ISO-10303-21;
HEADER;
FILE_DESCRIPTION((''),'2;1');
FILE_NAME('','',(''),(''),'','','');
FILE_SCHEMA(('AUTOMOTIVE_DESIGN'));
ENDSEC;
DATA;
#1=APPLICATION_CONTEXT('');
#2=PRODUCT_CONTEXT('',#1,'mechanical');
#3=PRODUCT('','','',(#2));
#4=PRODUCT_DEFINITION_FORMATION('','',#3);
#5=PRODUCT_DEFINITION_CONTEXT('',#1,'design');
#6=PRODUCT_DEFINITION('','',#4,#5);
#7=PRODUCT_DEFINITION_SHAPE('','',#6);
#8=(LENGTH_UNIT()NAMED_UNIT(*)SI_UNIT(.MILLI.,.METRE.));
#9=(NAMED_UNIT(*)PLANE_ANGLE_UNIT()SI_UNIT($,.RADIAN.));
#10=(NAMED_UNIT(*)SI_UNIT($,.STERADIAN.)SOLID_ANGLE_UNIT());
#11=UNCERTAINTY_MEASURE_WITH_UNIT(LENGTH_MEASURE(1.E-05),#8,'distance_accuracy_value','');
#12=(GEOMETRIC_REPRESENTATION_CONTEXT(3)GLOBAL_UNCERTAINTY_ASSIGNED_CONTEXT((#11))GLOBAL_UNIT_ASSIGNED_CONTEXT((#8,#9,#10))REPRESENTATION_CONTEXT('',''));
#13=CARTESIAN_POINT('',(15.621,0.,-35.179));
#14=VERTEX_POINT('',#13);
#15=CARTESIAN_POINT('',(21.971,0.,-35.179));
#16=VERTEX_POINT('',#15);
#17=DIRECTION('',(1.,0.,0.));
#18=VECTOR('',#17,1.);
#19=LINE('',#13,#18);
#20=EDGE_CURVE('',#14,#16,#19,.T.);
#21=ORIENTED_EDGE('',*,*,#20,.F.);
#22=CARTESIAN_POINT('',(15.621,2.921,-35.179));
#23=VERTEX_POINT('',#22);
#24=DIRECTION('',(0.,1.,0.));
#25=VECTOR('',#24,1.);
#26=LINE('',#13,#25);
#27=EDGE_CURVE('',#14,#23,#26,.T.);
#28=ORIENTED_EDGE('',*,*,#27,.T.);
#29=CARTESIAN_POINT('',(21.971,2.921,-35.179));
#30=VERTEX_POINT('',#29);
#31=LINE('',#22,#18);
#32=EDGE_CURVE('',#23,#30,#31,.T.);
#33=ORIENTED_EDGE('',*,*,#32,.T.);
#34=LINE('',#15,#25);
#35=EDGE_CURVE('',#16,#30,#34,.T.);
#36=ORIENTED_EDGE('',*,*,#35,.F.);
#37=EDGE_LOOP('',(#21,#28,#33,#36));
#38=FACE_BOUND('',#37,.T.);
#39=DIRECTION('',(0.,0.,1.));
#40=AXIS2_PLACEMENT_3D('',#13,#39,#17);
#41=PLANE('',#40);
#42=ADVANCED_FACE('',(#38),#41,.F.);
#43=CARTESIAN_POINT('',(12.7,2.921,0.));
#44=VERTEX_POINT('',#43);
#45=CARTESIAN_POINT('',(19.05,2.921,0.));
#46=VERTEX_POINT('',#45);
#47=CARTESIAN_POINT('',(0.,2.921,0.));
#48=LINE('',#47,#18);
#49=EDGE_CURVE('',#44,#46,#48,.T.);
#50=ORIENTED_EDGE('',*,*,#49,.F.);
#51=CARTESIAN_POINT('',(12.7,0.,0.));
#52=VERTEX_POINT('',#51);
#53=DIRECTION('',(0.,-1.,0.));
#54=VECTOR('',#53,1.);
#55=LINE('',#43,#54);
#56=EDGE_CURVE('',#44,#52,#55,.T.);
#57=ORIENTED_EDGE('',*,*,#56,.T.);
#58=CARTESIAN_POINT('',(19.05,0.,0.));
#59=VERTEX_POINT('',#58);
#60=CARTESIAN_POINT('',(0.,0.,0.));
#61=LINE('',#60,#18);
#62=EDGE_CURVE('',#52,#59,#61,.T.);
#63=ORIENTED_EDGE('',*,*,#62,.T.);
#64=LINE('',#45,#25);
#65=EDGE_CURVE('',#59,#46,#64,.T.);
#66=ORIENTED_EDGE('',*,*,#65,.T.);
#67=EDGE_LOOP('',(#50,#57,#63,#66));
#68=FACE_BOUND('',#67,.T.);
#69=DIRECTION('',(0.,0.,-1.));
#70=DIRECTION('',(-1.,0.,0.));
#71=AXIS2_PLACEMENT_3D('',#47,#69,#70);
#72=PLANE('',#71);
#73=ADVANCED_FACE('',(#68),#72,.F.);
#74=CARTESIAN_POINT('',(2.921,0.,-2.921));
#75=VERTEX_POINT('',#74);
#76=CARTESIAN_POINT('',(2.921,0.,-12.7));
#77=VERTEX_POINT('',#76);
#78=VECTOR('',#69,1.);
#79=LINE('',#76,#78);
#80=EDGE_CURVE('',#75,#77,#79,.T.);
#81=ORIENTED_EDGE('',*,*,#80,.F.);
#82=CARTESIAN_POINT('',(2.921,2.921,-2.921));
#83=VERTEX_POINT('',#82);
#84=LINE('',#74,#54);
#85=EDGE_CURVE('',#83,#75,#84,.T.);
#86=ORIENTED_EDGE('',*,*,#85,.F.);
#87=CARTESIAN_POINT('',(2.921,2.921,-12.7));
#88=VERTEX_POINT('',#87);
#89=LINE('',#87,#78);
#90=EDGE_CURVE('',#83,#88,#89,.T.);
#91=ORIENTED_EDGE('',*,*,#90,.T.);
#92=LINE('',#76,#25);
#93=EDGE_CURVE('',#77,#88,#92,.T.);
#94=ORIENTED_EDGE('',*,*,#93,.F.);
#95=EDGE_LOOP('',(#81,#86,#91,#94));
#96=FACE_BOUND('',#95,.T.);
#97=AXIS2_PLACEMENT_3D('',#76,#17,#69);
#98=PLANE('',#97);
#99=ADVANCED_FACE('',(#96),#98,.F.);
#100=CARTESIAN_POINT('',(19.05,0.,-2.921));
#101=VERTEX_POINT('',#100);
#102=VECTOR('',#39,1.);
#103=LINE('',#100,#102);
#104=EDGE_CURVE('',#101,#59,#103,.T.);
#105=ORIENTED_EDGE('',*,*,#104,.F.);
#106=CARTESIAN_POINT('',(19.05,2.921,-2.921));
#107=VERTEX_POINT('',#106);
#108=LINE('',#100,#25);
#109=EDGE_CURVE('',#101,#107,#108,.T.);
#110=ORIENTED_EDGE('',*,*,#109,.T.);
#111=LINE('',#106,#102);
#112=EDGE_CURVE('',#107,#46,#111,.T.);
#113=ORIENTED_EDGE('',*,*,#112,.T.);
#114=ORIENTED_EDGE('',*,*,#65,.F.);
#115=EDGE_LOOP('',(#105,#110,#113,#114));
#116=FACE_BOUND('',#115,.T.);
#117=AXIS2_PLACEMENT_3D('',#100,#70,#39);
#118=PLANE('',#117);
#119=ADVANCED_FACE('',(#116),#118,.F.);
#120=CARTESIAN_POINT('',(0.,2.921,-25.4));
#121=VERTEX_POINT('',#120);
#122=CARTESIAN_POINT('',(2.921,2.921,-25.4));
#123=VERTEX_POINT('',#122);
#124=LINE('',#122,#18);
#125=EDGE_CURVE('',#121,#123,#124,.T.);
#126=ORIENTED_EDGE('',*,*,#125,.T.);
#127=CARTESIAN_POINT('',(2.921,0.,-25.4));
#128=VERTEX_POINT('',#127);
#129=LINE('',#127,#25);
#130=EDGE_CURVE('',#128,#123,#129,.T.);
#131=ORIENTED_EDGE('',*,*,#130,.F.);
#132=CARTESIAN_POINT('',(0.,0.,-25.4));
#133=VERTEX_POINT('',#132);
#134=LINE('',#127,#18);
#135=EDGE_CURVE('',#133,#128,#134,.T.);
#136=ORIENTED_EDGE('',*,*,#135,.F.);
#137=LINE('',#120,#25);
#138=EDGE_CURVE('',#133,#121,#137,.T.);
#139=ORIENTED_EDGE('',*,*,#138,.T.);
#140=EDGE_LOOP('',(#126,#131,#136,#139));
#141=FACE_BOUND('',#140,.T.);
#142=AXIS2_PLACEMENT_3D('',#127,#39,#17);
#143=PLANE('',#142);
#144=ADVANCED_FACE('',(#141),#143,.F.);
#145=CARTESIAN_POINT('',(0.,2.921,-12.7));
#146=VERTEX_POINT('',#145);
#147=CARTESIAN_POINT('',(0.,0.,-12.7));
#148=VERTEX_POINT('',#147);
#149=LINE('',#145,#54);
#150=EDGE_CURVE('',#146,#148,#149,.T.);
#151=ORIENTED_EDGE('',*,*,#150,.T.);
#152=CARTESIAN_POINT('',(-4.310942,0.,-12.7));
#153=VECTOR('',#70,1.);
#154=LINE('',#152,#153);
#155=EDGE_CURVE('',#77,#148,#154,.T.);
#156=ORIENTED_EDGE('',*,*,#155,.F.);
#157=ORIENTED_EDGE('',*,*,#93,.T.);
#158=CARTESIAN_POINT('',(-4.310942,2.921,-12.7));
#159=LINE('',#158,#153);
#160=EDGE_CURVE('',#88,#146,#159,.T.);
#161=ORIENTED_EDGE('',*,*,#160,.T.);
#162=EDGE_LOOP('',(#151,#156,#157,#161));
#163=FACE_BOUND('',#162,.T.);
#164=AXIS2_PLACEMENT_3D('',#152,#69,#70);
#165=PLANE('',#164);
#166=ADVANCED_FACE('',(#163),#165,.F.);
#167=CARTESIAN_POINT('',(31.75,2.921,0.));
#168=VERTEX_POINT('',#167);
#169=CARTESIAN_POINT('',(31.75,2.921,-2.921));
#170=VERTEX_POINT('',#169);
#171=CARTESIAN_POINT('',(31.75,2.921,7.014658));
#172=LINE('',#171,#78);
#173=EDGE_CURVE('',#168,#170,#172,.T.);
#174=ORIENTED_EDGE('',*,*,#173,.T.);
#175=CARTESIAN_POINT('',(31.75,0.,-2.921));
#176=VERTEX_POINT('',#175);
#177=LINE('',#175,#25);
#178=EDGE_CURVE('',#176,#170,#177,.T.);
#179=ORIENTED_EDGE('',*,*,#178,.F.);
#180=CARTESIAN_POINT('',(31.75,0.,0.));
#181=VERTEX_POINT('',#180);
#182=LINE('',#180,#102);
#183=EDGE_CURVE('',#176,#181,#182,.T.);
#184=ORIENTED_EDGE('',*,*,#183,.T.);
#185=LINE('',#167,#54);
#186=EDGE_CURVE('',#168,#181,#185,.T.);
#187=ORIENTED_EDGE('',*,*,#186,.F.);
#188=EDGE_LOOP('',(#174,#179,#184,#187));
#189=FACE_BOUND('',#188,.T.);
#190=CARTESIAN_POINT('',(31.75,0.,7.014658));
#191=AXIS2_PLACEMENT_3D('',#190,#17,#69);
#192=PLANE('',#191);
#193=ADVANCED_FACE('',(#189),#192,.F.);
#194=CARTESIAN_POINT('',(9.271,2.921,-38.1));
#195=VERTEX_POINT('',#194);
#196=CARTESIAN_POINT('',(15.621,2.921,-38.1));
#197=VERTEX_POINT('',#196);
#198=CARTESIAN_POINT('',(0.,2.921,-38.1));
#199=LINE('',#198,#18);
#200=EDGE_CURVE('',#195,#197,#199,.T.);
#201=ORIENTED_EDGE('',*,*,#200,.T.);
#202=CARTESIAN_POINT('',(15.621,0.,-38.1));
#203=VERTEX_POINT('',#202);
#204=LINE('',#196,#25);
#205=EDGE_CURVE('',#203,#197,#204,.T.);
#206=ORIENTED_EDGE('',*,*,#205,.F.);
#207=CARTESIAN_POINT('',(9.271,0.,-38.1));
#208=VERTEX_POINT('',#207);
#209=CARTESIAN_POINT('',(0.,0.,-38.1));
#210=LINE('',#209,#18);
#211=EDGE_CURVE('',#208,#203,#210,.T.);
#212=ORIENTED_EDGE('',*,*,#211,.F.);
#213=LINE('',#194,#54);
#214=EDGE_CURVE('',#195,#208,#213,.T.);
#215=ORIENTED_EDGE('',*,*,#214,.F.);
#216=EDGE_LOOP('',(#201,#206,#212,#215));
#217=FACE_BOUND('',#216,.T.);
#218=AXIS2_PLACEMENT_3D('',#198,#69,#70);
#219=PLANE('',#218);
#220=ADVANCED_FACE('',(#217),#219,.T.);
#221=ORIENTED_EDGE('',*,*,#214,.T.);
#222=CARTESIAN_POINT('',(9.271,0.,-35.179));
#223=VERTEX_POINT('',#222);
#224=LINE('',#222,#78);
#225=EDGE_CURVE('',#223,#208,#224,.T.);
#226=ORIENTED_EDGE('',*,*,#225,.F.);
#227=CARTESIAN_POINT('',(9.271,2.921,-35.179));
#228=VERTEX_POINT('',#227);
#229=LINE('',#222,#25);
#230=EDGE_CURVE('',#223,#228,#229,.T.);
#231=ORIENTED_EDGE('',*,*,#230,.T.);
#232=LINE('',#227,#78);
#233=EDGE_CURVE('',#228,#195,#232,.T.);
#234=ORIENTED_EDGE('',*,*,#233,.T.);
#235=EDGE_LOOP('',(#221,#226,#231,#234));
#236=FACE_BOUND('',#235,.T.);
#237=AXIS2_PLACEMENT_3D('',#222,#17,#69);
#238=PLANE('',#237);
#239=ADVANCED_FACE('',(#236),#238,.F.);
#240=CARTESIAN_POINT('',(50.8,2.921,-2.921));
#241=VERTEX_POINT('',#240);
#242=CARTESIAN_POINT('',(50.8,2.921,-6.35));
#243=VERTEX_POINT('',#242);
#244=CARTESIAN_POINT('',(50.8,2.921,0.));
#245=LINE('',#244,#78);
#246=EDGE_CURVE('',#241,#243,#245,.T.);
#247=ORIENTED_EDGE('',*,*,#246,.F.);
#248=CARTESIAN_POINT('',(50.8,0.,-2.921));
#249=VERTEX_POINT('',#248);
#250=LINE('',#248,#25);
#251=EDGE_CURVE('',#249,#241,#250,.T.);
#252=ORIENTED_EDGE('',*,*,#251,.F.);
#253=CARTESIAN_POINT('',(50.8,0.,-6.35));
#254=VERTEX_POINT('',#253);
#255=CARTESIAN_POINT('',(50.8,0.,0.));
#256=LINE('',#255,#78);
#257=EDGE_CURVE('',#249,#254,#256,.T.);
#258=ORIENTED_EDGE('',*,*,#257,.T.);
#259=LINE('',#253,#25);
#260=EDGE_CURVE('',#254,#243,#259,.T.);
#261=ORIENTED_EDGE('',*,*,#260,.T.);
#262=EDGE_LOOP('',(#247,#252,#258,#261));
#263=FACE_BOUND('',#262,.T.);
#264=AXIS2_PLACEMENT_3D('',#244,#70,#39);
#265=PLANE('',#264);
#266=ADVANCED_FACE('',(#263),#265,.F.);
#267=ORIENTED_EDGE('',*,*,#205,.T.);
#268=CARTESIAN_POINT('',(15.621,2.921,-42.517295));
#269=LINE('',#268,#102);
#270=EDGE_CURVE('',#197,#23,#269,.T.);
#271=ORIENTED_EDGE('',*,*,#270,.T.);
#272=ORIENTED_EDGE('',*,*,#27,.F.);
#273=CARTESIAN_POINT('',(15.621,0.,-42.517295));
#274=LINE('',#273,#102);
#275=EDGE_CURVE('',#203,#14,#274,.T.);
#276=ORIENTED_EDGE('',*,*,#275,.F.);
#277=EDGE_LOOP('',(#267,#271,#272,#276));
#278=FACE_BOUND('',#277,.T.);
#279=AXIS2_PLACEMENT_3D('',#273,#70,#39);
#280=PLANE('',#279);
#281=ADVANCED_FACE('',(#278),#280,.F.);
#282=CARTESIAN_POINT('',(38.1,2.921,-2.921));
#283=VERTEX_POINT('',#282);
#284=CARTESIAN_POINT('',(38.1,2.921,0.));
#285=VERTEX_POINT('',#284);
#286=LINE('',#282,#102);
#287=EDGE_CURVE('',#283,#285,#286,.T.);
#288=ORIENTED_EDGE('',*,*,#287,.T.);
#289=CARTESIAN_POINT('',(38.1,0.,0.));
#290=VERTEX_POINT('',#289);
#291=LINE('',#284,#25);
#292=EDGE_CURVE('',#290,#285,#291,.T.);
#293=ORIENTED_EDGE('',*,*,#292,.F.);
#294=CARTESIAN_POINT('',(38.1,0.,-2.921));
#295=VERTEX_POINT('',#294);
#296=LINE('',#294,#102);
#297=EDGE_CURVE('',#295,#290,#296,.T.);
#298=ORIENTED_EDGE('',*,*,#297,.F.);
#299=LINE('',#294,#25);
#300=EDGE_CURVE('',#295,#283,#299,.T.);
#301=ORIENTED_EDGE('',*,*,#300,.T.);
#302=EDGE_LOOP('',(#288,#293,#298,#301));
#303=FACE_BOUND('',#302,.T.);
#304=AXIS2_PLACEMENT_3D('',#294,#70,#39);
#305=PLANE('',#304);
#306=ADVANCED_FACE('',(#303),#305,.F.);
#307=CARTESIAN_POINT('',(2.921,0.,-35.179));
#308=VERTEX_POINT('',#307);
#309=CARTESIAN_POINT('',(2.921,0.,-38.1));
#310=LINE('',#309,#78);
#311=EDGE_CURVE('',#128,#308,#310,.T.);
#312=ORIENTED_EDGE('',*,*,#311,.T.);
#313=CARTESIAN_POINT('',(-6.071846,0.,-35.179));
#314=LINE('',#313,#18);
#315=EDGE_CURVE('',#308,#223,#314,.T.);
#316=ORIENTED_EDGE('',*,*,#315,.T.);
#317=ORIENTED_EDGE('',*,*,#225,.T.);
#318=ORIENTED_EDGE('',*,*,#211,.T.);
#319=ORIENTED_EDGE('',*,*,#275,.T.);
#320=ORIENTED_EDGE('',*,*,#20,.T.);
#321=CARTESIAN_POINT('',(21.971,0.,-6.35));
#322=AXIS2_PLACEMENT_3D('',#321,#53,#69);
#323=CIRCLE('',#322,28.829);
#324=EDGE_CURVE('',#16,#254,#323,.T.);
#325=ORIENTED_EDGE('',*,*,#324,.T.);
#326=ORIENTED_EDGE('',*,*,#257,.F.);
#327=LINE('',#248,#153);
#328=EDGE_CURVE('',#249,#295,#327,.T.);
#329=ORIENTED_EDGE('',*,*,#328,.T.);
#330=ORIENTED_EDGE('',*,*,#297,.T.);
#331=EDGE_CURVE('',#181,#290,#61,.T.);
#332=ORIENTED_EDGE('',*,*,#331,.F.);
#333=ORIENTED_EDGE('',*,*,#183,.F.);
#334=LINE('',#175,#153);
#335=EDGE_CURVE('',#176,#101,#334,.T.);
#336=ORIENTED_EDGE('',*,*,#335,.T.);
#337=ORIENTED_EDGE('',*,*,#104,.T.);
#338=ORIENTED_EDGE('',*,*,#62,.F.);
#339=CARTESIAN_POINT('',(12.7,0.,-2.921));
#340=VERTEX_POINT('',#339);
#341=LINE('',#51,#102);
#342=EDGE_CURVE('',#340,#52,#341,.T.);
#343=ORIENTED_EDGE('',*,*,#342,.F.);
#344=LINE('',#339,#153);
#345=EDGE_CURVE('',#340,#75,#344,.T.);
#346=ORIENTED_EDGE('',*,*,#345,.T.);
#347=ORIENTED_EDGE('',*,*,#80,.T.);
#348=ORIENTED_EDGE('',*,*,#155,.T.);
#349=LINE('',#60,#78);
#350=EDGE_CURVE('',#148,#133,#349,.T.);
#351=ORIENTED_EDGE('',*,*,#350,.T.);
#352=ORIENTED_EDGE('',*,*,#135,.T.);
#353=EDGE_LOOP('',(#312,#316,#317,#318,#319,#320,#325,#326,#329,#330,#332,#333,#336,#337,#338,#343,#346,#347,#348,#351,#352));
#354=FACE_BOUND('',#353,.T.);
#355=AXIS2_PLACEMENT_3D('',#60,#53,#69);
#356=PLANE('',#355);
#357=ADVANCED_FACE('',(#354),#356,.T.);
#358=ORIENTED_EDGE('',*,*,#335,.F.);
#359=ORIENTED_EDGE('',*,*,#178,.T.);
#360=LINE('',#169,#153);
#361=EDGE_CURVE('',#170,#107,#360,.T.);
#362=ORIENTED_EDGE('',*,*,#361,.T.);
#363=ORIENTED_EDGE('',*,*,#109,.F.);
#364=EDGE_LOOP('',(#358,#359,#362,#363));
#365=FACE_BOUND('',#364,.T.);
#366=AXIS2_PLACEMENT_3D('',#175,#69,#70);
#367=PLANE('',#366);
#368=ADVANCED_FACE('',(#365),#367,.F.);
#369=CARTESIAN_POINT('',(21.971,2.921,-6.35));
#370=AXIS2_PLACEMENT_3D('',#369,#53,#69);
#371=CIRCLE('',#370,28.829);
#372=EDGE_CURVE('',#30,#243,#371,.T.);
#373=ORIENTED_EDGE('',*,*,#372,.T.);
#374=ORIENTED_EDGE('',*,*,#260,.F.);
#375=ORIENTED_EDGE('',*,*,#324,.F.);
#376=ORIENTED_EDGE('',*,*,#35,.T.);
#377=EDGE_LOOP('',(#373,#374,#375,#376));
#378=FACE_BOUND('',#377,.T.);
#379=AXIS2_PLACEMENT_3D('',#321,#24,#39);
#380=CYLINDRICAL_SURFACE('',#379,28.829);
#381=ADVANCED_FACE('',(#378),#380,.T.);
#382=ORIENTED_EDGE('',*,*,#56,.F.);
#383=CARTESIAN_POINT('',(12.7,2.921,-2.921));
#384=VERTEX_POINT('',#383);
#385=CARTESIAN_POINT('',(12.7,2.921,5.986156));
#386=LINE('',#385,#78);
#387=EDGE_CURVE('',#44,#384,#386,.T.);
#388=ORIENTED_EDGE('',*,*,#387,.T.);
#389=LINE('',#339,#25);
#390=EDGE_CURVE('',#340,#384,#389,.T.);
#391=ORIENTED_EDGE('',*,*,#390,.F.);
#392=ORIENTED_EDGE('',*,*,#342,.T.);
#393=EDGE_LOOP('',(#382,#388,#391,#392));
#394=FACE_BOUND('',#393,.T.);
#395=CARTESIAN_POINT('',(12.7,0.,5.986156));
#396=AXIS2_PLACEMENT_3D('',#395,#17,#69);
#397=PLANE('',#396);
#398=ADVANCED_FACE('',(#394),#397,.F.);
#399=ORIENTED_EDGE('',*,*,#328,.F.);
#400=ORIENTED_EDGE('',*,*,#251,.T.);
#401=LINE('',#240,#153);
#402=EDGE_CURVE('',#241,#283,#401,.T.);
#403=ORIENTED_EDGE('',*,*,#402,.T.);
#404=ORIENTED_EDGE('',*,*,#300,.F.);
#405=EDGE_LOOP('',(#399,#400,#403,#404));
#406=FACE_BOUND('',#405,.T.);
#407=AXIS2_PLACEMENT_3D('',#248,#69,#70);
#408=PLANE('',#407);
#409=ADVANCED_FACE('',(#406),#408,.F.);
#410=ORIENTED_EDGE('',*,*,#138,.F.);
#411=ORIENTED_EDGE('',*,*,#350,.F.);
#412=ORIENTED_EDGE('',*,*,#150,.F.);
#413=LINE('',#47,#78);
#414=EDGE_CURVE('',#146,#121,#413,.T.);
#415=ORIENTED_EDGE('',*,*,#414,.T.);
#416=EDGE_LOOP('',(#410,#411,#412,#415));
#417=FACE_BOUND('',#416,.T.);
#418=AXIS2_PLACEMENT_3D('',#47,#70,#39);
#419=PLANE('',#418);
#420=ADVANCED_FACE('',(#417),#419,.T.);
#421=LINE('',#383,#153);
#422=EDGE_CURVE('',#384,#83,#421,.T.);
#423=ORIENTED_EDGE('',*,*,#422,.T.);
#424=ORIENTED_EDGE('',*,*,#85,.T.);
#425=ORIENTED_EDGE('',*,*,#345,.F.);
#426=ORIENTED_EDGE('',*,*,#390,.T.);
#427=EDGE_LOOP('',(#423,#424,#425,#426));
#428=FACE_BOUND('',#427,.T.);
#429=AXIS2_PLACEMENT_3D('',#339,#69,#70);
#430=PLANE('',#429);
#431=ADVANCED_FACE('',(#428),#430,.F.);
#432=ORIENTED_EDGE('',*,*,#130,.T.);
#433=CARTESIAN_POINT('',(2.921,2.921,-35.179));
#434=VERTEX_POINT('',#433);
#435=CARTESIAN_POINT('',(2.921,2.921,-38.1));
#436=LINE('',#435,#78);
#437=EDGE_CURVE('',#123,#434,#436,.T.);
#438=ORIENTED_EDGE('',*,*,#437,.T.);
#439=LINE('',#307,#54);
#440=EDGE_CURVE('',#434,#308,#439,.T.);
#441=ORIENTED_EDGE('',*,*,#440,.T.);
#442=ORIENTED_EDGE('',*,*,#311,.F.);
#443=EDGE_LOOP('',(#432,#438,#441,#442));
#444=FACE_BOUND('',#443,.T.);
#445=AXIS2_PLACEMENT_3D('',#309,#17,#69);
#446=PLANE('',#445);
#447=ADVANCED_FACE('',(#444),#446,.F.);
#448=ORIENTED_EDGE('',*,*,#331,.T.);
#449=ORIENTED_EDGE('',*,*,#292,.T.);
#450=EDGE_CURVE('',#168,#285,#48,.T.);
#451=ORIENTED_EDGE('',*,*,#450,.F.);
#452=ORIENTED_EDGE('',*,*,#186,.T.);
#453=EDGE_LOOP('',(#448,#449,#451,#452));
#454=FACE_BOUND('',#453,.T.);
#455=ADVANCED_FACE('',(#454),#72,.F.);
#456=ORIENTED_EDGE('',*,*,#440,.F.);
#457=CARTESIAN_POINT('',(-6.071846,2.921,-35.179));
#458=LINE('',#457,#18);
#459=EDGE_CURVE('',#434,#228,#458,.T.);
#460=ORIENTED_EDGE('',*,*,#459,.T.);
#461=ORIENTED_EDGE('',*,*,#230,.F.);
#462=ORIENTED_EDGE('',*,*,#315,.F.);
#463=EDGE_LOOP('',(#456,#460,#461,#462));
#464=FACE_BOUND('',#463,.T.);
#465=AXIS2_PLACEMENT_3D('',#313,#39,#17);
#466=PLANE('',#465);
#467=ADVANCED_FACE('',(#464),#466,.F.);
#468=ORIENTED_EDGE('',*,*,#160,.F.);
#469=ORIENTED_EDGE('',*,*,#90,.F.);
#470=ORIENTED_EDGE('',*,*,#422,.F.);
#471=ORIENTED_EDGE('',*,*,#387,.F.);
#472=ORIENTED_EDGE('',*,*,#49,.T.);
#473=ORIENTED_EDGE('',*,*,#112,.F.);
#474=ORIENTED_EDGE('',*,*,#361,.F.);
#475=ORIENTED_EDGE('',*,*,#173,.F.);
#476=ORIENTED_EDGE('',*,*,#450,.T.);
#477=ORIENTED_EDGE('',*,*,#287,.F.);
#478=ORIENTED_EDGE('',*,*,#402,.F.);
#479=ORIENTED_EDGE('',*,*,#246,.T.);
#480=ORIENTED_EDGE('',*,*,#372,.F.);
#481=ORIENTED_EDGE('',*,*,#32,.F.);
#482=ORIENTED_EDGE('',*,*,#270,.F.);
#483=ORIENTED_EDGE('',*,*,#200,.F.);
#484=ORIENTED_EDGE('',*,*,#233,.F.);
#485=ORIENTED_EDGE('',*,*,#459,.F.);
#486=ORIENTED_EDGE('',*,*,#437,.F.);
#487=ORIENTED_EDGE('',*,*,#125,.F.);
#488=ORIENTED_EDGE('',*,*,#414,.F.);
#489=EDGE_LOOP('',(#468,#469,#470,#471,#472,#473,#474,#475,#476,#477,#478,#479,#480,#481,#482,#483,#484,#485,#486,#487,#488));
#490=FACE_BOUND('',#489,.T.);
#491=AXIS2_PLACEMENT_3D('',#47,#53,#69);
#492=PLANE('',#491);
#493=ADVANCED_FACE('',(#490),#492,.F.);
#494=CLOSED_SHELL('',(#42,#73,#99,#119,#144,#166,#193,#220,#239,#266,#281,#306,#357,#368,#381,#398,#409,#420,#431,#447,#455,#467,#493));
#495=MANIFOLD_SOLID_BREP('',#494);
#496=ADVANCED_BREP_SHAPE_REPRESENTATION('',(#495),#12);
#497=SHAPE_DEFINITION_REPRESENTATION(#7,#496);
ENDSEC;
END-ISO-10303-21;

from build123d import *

# Parameters (mm, degrees)
SKETCH1_W          = 50.8
SKETCH1_H          = 38.1
EXTRUDE_2_DEPTH    = 2.921
FRONT_TABS_DEPTH   = 64.567147498
SIDE_TAB_DEPTH     = 64.567147498
CUT_EXTRUDE2_DEPTH = 64.567147498


with BuildPart() as part:
    # Sketch1 → extrude 2 (new body)
    with BuildSketch(Plane(origin=(0, 0, 0), x_dir=(1, 0, 0), z_dir=(0, 1, 0))):
        with Locations((25.4, 19.05)):
            Rectangle(SKETCH1_W, SKETCH1_H)
    extrude(amount=EXTRUDE_2_DEPTH)

    # Sketch2 → front tabs (cut, through all)
    with BuildSketch(Plane(origin=(0, 2.921, 0), x_dir=(1, 0, 0), z_dir=(0, 1, 0))):
        Polygon((0, -13.073373741), (50.8, -13.073373741), (50.8, 2.921), (38.1, 2.921), (38.1, -7.014658109), (31.75, -7.014658109), (31.75, 2.921), (19.05, 2.921), (19.05, -5.986156243), (12.7, -5.986156243), (12.7, 2.921), (0, 2.921), align=None)
    extrude(amount=-FRONT_TABS_DEPTH, mode=Mode.SUBTRACT)

    # Sketch3 → side tab (cut, through all)
    with BuildSketch(Plane(origin=(0, 2.921, 0), x_dir=(1, 0, 0), z_dir=(0, 1, 0))):
        Polygon((2.921, 25.4), (-4.31094219, 25.4), (-4.31094219, 12.7), (2.921, 12.7), (2.921, 0), (-6.847135587, 0), (-6.847135587, 38.1), (2.921, 38.1), align=None)
    extrude(amount=-SIDE_TAB_DEPTH, mode=Mode.SUBTRACT)

    # Sketch5 → Cut-Extrude2 (cut, through all)
    with BuildSketch(Plane(origin=(0, 2.921, 0), x_dir=(1, 0, 0), z_dir=(0, 1, 0))):
        with BuildLine():
            Line((-6.071846443, 35.179), (9.271, 35.179))
            Line((9.271, 35.179), (9.271, 42.517295463))
            Line((9.271, 42.517295463), (15.621, 42.517295463))
            Line((15.621, 42.517295463), (15.621, 35.179))
            Line((15.621, 35.179), (21.971, 35.179))
            ThreePointArc((21.971, 35.179), (42.356181395, 26.735181395), (50.8, 6.35))
            Line((50.8, 6.35), (50.8, 2.921))
            Line((50.8, 2.921), (62.623975616, 47.008361676))
            Line((62.623975616, 47.008361676), (-4.438145021, 50.333756088))
            Line((-4.438145021, 50.333756088), (-6.071846443, 35.179))
        make_face()
    extrude(amount=-CUT_EXTRUDE2_DEPTH, mode=Mode.SUBTRACT)


solid = part.part
